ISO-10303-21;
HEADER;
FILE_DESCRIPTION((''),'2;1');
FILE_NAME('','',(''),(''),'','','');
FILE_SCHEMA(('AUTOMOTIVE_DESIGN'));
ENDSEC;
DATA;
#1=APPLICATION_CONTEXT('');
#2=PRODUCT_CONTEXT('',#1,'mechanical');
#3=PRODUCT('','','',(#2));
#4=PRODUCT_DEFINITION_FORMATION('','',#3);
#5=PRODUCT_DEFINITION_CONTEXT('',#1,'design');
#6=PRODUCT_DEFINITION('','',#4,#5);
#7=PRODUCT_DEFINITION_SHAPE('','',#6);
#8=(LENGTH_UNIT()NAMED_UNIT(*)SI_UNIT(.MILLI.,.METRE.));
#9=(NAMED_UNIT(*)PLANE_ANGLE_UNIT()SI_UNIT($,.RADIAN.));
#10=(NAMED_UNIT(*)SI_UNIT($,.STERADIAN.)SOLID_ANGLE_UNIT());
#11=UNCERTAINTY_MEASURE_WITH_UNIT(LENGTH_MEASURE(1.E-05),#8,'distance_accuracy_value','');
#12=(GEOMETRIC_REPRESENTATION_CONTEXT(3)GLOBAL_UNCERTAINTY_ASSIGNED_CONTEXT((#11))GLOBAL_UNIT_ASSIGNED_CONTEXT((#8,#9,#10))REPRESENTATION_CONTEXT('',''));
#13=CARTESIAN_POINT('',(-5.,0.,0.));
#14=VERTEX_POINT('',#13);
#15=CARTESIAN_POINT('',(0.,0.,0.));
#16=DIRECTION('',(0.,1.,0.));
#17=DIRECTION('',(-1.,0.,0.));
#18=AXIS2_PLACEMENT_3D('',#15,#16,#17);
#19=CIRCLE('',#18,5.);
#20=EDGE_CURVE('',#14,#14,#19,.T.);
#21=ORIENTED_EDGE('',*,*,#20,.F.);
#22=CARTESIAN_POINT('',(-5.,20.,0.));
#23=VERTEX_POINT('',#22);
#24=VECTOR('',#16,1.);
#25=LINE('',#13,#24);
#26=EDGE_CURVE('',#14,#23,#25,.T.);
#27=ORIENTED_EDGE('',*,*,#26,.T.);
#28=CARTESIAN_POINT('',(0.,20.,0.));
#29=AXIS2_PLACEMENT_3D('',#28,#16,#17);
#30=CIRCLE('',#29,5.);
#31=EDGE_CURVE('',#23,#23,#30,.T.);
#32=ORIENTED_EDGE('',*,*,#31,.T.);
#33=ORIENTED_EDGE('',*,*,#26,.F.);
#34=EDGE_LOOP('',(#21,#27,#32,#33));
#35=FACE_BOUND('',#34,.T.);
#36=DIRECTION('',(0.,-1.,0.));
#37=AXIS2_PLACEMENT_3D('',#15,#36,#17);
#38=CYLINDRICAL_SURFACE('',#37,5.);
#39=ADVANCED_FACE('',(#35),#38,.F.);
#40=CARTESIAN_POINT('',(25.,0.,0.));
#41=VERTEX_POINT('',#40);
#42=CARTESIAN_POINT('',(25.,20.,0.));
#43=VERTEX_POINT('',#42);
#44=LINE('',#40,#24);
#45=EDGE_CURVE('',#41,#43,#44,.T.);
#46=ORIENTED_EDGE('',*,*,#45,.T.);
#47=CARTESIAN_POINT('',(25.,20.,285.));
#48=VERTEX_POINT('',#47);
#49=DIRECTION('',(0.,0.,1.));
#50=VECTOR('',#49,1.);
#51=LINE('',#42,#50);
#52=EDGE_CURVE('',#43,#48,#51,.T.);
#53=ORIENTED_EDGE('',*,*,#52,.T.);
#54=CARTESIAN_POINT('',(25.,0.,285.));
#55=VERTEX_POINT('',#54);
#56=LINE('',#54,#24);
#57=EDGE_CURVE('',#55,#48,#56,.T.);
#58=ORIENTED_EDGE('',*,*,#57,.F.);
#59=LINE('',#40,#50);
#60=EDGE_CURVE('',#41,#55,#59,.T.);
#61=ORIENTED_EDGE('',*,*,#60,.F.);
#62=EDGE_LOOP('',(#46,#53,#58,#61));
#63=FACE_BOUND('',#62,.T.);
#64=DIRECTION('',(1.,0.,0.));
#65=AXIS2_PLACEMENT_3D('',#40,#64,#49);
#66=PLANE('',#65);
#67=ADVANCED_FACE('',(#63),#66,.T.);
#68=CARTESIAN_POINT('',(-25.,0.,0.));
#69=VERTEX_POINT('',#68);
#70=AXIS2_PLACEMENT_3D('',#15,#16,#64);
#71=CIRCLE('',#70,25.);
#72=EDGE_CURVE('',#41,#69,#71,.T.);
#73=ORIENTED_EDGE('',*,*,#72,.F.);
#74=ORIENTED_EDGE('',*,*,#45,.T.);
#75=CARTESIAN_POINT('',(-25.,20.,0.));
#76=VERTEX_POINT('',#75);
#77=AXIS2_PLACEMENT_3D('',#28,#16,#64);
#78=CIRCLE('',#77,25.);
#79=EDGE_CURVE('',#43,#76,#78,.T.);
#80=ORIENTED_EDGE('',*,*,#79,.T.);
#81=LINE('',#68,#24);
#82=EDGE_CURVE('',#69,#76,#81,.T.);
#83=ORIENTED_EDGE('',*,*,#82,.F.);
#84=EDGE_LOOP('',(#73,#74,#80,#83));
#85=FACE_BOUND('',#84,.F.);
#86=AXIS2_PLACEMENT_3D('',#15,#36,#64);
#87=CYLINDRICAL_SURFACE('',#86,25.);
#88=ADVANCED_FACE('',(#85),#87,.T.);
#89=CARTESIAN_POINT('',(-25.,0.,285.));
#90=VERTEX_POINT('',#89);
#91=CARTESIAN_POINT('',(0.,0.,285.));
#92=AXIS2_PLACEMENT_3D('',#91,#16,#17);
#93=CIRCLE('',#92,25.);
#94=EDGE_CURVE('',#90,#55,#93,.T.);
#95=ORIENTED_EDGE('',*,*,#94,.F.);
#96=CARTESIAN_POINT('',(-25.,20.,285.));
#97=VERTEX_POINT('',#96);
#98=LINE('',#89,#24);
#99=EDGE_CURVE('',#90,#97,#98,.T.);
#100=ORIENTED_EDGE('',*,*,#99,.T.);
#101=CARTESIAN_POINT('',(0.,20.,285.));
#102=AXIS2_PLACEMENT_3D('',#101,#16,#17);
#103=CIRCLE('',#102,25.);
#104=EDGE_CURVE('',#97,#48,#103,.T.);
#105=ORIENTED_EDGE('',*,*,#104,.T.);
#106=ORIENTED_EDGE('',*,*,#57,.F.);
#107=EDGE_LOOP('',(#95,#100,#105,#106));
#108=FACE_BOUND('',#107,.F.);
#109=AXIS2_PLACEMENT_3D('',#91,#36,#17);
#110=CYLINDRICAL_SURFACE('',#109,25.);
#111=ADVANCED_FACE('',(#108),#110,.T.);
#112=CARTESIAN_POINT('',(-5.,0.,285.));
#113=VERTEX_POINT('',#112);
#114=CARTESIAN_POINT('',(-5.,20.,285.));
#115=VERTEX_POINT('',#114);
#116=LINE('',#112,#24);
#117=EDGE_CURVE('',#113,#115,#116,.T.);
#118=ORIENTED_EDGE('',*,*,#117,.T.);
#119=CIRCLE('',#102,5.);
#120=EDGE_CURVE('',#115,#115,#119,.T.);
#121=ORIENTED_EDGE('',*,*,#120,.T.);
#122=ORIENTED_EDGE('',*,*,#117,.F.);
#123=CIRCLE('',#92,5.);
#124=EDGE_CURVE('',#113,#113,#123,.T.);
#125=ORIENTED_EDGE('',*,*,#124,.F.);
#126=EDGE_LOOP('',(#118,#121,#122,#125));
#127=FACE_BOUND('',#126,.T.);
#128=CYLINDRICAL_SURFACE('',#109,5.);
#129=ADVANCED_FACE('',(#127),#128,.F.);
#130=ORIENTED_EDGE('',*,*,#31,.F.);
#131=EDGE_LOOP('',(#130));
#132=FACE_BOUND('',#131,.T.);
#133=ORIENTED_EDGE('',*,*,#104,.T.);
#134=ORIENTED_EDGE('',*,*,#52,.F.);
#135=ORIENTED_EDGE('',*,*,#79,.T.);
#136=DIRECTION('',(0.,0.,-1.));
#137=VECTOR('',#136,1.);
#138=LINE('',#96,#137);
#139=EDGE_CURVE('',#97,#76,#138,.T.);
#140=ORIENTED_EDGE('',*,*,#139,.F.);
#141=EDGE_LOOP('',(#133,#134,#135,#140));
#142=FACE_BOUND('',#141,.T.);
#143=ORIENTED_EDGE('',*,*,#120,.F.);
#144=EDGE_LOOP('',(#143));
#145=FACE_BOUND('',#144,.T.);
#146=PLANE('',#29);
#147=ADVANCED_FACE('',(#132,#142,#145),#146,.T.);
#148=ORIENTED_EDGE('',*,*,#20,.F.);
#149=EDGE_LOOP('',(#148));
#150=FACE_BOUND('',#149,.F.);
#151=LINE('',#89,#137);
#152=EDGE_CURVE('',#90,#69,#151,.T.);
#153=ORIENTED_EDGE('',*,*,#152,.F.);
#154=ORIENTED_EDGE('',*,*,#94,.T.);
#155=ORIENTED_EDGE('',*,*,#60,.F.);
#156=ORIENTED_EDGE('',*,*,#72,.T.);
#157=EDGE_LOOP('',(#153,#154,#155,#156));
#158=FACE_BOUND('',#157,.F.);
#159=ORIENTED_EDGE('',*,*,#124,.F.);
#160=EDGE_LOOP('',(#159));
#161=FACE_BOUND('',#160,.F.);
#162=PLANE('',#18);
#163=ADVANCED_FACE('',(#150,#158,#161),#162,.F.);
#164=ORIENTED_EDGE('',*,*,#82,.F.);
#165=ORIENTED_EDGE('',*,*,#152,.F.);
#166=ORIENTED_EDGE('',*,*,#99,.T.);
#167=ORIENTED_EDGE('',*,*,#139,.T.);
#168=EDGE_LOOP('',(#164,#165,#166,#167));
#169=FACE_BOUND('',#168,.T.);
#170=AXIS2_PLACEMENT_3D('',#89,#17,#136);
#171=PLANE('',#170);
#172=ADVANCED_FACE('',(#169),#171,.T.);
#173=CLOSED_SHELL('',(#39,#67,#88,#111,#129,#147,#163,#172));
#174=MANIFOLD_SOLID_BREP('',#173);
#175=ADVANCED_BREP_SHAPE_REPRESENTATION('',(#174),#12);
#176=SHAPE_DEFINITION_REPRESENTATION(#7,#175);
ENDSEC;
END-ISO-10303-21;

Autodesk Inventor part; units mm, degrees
ref_plane "YZ Plane" through (0, 0, 0) normal (1, 0, 0) x (0, 1, 0)
ref_plane "XZ Plane" through (0, 0, 0) normal (0, 1, 0) x (-1, 0, 0)
ref_plane "XY Plane" through (0, 0, 0) normal (0, 0, 1) x (1, 0, 0)
sketch "Block1" plane through (0, 0, 0) normal (0, 0, 1) x (1, 0, 0)
  line L0 (-25.22, -285) -> (-25.22, 0)
  arc A0 (25.22, 0) -> (-25.22, 0) centre (0, 0) ccw
  line L1 (25.22, 0) -> (25.22, -285)
  arc A1 (-25.22, -285) -> (25.22, -285) centre (0, -285) ccw
  circle A2 centre (0, -285) radius 5.22
  circle A3 centre (0, 0) radius 5.22
  point P0 (0, -142.5)
sketch "Sketch1" plane through (0, 0, 0) normal (0, 1, 0) x (-1, 0, 0)
  arc A0 (-25, 0) -> (25, 0) centre (0, 0) ccw
  arc A1 (25, 285) -> (-25, 285) centre (0, 285) ccw
  line L0 (25, 285) -> (25, 0)
  line L1 (-25, 0) -> (-25, 285)
  circle A2 centre (0, 285) radius 5
  circle A3 centre (0, 0) radius 5
  dimension "d0" = 50
  dimension "d1" = 50
  dimension "d2" = 10
  dimension "d3" = 10
  dimension "d6" = 285
extrude "Extrusion1" add sketch "Sketch1" along normal blind 20
sketch "Sketch2" plane through (0, 20, 0) normal (0, 1, 0) x (1, 0, 0)
  line L0 (25, -285) -> (25, 0) projected
  line L1 (-25, 0) -> (-25, -285) projected
  arc A0 (-25, -285) -> (25, -285) centre (0, -285) ccw projected
  arc A1 (25, 0) -> (-25, 0) centre (0, 0) ccw projected
  circle A2 centre (0, 0) radius 5 projected
  circle A3 centre (0, -285) radius 5 projected
sketch "DXF" plane through (0, 0, 0) normal (0, 1, 0) x (-1, 0, 0)
  point P0 (0, 0)
equation "\"d6\" = 0.95 * pD"
equation "\"pD\" = 300"
properties part number "drivelever"
